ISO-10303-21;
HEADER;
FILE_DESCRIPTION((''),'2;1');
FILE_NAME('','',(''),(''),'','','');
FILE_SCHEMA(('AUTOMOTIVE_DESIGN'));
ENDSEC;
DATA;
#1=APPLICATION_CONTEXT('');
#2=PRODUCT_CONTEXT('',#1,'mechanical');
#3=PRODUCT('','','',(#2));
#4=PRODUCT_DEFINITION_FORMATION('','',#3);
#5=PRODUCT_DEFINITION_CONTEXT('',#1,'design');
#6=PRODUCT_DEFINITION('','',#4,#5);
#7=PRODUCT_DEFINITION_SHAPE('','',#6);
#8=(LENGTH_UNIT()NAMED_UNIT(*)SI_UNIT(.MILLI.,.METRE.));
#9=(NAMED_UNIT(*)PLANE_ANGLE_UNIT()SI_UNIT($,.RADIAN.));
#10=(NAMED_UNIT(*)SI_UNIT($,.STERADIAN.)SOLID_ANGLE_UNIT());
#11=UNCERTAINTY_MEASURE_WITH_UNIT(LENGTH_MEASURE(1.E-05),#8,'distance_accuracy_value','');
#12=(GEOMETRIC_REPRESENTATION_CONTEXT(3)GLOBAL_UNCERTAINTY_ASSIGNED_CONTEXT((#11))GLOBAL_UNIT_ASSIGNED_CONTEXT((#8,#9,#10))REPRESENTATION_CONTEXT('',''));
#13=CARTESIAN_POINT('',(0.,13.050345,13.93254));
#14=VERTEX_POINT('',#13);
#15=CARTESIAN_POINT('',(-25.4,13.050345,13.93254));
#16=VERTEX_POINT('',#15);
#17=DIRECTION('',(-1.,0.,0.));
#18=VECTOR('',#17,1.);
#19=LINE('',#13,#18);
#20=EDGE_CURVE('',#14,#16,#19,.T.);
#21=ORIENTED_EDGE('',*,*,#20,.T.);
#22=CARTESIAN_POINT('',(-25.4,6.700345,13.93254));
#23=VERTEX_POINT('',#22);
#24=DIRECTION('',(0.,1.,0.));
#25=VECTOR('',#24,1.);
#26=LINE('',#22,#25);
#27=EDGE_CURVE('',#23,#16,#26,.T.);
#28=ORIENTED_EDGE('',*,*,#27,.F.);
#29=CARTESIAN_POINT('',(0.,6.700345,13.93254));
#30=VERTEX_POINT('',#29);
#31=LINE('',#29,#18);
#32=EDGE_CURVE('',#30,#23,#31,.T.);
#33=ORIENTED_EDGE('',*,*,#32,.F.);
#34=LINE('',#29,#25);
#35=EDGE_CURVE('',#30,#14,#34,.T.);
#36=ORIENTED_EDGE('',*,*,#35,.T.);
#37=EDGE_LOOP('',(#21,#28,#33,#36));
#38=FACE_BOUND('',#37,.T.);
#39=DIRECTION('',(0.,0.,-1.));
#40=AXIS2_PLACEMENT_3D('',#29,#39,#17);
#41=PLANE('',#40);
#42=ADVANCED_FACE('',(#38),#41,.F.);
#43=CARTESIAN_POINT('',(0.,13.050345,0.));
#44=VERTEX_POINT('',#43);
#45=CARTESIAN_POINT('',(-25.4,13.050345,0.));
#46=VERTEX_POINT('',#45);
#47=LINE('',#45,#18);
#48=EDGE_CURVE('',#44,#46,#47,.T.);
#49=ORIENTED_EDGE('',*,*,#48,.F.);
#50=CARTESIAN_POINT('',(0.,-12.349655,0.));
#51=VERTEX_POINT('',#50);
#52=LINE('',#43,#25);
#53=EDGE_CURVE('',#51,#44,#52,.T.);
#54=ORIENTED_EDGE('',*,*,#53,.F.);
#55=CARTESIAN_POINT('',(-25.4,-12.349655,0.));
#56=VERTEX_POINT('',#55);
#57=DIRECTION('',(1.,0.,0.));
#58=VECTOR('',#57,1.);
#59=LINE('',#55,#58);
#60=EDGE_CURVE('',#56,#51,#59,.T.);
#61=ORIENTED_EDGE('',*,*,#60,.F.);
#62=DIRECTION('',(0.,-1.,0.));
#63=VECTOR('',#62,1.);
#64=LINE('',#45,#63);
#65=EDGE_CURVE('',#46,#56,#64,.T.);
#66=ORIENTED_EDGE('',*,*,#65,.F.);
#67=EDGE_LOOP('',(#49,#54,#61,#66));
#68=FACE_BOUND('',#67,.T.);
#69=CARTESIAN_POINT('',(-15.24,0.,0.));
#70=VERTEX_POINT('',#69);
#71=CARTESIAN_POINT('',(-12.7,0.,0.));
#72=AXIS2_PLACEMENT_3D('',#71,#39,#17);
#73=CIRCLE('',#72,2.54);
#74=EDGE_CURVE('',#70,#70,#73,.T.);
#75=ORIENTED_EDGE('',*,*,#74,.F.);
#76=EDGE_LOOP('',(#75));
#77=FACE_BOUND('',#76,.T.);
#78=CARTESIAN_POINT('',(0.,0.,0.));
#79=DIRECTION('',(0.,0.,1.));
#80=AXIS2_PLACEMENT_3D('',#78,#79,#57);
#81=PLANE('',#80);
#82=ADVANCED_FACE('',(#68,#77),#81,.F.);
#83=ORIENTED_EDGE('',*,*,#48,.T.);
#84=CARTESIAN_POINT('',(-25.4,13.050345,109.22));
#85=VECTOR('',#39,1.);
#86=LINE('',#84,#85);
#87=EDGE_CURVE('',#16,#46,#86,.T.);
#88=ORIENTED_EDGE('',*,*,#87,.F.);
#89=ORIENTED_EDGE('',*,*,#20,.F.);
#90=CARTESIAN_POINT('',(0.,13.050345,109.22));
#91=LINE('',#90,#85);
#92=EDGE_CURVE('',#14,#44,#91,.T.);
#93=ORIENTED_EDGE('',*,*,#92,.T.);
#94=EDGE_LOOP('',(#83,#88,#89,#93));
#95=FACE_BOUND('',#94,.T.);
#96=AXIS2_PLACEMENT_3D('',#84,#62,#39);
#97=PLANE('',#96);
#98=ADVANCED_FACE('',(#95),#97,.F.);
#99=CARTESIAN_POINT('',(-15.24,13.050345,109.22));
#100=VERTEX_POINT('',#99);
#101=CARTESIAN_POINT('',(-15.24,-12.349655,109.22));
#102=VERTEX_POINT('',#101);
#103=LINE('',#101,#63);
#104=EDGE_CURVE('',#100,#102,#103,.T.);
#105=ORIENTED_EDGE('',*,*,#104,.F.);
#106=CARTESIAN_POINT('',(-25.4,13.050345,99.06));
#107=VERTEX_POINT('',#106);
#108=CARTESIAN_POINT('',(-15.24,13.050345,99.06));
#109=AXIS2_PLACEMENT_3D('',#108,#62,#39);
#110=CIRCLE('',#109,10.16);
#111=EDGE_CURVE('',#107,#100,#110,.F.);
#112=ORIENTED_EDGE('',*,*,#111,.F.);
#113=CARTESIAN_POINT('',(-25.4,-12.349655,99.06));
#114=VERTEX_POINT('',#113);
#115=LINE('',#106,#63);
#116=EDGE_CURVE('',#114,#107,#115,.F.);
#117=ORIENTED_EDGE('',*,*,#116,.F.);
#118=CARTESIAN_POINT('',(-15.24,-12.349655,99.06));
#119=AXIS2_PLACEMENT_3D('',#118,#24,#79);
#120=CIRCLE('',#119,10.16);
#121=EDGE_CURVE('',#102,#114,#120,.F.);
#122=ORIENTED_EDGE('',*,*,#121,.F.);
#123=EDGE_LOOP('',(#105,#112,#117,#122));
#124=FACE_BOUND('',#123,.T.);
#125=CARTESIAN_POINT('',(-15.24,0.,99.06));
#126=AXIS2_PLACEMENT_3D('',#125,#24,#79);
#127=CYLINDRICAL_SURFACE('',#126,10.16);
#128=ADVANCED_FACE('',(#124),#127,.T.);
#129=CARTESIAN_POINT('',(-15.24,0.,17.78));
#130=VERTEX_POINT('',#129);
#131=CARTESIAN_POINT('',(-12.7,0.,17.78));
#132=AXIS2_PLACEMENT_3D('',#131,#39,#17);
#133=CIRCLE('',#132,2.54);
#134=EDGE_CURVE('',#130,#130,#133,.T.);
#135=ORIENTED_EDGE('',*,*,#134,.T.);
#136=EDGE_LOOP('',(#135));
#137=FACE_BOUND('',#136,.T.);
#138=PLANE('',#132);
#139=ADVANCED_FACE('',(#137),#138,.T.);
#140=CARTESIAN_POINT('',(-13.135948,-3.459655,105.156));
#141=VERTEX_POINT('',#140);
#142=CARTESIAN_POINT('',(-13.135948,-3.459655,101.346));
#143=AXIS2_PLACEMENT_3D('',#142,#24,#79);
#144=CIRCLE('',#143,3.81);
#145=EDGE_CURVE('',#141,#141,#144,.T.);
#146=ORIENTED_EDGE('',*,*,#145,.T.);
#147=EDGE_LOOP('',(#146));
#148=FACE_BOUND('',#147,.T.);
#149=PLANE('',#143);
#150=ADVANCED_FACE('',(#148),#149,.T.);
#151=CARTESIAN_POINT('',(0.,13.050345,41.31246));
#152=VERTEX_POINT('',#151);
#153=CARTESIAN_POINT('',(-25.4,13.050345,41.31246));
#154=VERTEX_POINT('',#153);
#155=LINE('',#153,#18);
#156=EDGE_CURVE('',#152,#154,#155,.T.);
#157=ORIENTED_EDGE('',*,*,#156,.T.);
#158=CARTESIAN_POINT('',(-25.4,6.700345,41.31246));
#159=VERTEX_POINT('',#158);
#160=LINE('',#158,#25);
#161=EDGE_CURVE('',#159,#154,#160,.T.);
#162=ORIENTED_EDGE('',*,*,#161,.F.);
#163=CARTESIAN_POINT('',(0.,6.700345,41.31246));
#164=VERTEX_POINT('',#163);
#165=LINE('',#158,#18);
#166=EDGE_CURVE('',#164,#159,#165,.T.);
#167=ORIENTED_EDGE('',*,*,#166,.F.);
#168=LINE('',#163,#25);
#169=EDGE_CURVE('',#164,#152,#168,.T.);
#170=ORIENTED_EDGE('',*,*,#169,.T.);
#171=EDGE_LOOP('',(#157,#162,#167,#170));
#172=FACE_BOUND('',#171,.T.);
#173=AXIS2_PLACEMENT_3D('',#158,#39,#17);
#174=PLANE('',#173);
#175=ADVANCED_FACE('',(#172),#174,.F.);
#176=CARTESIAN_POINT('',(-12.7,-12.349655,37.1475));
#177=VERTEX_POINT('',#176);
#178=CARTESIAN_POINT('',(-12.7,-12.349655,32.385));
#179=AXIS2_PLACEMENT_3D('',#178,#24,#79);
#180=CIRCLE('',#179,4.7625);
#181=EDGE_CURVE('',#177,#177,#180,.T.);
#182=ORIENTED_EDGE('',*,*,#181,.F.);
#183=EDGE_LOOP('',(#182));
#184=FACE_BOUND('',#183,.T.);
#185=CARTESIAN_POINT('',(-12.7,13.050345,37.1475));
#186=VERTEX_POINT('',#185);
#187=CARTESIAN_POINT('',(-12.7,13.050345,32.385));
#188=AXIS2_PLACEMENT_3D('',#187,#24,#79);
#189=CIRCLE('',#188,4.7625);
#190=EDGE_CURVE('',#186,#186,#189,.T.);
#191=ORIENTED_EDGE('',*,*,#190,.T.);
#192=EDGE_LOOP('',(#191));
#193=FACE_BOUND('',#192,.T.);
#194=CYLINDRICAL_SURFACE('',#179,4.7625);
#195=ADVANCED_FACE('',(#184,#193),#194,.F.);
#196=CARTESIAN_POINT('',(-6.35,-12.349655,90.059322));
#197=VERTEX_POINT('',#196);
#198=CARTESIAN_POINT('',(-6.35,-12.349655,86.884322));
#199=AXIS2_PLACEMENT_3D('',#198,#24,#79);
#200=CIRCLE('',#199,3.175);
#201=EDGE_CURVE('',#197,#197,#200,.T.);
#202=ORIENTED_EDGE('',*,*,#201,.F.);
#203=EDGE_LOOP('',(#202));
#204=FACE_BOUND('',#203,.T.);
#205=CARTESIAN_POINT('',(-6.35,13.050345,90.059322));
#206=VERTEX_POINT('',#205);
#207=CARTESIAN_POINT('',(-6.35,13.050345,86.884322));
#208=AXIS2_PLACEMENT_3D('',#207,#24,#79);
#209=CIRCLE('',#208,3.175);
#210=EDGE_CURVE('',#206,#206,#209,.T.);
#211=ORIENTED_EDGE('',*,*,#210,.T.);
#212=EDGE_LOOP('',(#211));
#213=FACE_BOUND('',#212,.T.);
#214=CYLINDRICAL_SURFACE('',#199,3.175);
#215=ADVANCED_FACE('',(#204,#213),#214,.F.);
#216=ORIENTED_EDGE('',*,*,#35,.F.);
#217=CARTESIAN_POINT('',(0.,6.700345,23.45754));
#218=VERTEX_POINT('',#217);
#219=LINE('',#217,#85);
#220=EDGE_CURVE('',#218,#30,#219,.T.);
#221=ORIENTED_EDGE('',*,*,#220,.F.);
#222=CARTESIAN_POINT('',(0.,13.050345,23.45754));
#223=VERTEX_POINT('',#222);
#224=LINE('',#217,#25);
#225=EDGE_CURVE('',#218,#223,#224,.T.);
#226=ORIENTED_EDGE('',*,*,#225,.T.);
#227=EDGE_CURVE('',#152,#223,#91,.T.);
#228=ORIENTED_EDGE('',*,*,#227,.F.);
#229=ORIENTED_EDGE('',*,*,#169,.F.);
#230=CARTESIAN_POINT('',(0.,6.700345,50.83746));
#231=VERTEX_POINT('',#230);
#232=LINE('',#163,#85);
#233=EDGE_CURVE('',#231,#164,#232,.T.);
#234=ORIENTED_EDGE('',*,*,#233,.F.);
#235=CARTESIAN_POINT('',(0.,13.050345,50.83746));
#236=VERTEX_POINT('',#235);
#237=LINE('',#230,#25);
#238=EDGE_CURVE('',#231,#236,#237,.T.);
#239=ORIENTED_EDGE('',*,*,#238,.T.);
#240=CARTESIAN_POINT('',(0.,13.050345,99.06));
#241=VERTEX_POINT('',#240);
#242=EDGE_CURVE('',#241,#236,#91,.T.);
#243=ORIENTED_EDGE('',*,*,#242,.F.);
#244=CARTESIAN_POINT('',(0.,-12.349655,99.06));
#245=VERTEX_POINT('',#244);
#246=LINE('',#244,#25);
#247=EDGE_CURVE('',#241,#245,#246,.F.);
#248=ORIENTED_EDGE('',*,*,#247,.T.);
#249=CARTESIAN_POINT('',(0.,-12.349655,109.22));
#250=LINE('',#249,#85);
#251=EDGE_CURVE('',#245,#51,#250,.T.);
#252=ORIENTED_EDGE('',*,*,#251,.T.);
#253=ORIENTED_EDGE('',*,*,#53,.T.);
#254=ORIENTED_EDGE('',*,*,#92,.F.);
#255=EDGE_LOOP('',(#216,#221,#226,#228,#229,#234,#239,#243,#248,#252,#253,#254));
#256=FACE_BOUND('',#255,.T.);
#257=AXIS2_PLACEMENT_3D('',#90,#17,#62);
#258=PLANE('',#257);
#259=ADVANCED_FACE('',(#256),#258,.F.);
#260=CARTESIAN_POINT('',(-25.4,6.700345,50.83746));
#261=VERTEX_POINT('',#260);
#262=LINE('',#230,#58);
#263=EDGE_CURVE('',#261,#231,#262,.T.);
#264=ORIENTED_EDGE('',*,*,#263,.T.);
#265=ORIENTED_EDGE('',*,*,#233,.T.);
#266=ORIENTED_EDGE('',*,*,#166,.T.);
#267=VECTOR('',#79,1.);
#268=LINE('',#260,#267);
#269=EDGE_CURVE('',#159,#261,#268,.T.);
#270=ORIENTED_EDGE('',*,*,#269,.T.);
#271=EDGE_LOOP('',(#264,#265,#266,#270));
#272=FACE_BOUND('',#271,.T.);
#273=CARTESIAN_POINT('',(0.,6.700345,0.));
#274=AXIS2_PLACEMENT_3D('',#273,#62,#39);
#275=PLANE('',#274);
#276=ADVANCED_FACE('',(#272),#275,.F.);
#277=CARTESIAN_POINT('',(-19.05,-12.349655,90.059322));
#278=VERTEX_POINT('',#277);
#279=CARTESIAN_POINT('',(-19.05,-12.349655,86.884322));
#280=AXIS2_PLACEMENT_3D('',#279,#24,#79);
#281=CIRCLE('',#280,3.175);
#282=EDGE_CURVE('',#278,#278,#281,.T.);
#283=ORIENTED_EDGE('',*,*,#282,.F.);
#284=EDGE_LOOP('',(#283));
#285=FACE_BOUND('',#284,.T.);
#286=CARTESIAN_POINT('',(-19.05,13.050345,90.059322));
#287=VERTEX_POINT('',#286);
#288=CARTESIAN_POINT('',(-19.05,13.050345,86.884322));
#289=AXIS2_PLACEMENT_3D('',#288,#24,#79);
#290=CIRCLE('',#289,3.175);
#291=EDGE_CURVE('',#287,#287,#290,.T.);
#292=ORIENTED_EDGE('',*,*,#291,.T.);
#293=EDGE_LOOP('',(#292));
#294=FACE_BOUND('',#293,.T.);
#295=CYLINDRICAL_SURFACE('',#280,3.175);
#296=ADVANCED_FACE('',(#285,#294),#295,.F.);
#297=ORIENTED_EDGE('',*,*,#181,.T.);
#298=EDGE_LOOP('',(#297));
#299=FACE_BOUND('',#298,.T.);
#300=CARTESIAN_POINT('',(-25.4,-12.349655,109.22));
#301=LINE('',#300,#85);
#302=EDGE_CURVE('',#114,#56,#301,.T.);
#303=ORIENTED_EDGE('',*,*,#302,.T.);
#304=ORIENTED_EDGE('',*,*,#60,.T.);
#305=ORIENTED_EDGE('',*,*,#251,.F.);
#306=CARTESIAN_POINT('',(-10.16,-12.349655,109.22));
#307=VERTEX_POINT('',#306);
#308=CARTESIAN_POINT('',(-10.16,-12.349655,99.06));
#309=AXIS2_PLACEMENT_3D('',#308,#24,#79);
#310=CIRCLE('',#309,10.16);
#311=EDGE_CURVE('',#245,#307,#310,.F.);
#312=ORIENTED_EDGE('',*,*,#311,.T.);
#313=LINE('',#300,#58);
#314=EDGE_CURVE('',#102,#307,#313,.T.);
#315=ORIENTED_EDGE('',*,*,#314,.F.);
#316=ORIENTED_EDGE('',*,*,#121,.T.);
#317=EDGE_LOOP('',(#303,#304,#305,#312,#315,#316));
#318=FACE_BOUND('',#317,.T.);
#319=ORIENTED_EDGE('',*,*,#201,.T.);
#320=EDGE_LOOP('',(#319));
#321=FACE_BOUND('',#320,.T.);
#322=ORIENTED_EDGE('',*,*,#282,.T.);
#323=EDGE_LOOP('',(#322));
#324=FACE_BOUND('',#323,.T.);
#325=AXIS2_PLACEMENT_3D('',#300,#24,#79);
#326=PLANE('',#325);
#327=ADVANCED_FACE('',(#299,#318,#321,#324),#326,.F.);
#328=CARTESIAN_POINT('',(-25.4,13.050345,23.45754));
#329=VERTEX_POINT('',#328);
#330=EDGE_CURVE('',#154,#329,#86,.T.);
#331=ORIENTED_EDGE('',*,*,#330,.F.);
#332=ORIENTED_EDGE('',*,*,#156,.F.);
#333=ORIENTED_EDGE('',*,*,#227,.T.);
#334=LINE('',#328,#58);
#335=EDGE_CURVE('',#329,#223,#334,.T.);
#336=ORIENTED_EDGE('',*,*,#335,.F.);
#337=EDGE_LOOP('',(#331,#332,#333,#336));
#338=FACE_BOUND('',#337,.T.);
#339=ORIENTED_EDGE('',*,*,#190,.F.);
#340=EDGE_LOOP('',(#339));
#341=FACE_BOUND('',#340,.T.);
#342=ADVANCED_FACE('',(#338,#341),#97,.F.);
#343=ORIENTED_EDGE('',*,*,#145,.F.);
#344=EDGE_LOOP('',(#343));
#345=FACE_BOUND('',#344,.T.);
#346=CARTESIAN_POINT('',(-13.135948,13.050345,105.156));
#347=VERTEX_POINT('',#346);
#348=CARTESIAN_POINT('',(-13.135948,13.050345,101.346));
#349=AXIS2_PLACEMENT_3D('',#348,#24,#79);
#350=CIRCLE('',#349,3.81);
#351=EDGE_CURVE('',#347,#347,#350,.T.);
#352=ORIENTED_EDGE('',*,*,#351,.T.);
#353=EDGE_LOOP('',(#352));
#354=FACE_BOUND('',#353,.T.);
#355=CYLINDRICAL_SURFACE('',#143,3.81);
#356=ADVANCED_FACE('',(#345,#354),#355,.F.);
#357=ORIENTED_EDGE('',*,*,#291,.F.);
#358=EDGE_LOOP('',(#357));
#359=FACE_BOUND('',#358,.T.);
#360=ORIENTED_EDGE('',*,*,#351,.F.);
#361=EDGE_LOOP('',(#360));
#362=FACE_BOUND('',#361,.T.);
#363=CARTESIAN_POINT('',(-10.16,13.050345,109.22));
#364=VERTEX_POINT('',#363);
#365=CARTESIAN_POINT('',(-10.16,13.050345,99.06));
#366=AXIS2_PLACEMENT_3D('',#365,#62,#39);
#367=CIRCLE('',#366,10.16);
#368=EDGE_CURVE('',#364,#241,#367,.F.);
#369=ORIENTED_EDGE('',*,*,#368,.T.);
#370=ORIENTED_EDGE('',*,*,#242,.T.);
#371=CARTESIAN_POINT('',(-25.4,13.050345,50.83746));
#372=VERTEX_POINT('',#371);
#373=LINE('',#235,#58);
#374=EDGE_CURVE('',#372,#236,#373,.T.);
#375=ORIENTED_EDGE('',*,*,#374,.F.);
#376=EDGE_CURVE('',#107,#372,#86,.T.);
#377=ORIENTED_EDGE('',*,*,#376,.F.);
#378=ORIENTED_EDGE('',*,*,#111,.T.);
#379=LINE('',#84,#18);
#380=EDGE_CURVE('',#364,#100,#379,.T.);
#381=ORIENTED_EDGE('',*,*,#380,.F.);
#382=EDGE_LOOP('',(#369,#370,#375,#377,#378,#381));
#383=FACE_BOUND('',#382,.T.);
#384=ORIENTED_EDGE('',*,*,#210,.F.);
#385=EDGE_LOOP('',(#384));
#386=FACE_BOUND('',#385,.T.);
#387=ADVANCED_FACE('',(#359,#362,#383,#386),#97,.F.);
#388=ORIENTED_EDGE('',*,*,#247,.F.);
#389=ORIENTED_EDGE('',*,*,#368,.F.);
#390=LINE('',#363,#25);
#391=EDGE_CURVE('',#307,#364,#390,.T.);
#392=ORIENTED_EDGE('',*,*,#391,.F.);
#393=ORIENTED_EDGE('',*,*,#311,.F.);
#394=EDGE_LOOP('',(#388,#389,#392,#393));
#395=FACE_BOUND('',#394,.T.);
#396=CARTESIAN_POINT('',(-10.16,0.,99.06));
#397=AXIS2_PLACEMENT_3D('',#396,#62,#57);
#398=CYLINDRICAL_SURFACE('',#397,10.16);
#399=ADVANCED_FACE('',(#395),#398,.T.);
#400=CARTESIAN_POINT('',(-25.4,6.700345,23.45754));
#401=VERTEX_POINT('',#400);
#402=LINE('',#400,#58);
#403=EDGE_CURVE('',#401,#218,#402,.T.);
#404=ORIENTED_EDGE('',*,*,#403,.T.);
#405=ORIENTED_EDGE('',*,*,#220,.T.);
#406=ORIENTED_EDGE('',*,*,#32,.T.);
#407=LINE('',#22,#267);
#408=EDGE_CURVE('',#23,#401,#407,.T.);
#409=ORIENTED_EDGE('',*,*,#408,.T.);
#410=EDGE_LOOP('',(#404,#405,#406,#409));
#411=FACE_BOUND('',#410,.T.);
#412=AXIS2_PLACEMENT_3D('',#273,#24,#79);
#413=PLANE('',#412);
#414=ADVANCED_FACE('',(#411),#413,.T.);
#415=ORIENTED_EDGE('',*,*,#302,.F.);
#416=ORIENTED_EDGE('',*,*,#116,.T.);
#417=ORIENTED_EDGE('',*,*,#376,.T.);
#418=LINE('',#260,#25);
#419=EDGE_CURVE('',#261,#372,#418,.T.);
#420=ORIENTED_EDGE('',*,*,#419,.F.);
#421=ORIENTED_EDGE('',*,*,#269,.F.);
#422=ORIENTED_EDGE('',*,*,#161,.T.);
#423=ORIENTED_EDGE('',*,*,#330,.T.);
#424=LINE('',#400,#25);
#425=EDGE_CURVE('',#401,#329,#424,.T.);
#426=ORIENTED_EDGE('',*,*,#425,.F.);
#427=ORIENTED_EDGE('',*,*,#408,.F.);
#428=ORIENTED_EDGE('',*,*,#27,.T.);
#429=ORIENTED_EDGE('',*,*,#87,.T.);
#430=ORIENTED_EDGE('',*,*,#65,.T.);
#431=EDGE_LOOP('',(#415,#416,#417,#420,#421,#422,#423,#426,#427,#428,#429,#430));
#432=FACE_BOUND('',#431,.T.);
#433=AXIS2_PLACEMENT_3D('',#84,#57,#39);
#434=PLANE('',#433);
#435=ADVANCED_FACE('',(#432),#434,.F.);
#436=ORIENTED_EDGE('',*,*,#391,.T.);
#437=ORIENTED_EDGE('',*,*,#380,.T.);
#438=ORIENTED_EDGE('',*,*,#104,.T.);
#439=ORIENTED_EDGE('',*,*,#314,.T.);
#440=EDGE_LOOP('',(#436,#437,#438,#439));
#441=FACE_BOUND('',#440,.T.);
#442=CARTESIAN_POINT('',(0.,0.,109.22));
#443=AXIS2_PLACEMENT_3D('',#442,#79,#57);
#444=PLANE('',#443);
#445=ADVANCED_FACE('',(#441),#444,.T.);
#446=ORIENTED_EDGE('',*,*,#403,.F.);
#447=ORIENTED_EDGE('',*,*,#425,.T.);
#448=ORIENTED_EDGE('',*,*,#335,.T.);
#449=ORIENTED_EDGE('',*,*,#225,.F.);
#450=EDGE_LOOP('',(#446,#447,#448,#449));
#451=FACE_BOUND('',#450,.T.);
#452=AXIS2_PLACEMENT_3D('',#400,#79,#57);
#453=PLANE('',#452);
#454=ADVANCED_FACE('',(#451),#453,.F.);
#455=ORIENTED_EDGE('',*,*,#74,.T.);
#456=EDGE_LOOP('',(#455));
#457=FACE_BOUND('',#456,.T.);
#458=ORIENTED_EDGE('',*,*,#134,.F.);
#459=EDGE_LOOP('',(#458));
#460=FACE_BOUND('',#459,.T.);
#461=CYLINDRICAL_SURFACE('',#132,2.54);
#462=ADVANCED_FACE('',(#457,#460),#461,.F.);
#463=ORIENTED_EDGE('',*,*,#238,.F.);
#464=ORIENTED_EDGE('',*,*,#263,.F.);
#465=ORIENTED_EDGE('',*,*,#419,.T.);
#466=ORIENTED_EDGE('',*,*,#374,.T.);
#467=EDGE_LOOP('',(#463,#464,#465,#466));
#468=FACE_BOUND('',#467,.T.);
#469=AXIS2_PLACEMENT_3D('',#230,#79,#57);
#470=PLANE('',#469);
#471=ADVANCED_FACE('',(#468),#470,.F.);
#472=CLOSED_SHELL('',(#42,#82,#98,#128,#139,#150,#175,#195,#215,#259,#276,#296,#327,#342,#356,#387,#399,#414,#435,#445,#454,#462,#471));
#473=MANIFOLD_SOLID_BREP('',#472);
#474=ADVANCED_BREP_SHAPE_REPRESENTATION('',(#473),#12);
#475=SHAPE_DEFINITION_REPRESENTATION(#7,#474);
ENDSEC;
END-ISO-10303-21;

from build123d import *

# Parameters (mm, degrees)
SKETCH1_W           = 25.4
SKETCH1_H           = 25.4
BOSS_EXTRUDE1_DEPTH = 109.22
SKETCH2_R           = 2.54
CUT_EXTRUDE1_DEPTH  = 17.78
SKETCH3_R           = 4.7625
CUT_EXTRUDE2_DEPTH  = 115.975338225
SKETCH7_W           = 25.4
SKETCH7_H           = 9.525
CUT_EXTRUDE5_DEPTH  = 6.35
SKETCH9_R           = 3.175
CUT_EXTRUDE7_DEPTH  = 115.975338225
SKETCH10_R          = 3.81
CUT_EXTRUDE8_DEPTH  = 16.51
FILLET1_R           = 10.16
FILLET2_R           = 10.16


with BuildPart() as part:
    # Sketch1 → Boss-Extrude1 (new body)
    with BuildSketch(Plane.XY):
        with Locations((-12.7, 0.350344828)):
            Rectangle(SKETCH1_W, SKETCH1_H)
    extrude(amount=BOSS_EXTRUDE1_DEPTH)

    # Sketch2 → Cut-Extrude1 (cut)
    with BuildSketch(Plane(origin=(0, 0, 0), x_dir=(-1, 0, 0), z_dir=(0, 0, -1))):
        with Locations((12.7, 0)):
            Circle(SKETCH2_R)
    extrude(amount=-CUT_EXTRUDE1_DEPTH, mode=Mode.SUBTRACT)

    # Sketch3 → Cut-Extrude2 (cut, through all)
    with BuildSketch(Plane(origin=(0, 13.050344828, 0), x_dir=(1, 0, 0), z_dir=(0, 1, 0))):
        with Locations(Location((-12.7, -32.385, 0), (0, 0, 270))):
            Circle(SKETCH3_R)
    extrude(amount=-CUT_EXTRUDE2_DEPTH, mode=Mode.SUBTRACT)

    # Sketch7 → Cut-Extrude5 (cut)
    with BuildSketch(Plane(origin=(0, 13.050344828, 0), x_dir=(1, 0, 0), z_dir=(0, 1, 0))):
        with Locations((-12.7, -18.695040466)):
            Rectangle(SKETCH7_W, SKETCH7_H)
        with Locations((-12.7, -46.074959534)):
            Rectangle(SKETCH7_W, SKETCH7_H)
    extrude(amount=-CUT_EXTRUDE5_DEPTH, mode=Mode.SUBTRACT)

    # Sketch9 → Cut-Extrude7 (cut, through all)
    with BuildSketch(Plane(origin=(0, 13.050344828, 0), x_dir=(1, 0, 0), z_dir=(0, 1, 0))):
        with Locations(Location((-19.05, -86.884321607, 0), (0, 0, 270))):
            Circle(SKETCH9_R)
        with Locations(Location((-6.35, -86.884321607, 0), (0, 0, 270))):
            Circle(SKETCH9_R)
    extrude(amount=-CUT_EXTRUDE7_DEPTH, mode=Mode.SUBTRACT)

    # Sketch10 → Cut-Extrude8 (cut)
    with BuildSketch(Plane(origin=(0, 13.050344828, 0), x_dir=(1, 0, 0), z_dir=(0, 1, 0))):
        with Locations(Location((-13.13594772, -101.346, 0), (0, 0, 270))):
            Circle(SKETCH10_R)
    extrude(amount=-CUT_EXTRUDE8_DEPTH, mode=Mode.SUBTRACT)

    # Fillet1
    fillet1_edges = [part.edges().sort_by_distance(p)[0] for p in [
        (0, 0.350344828, 109.22),
    ]]
    fillet(fillet1_edges, radius=FILLET1_R)

    # Fillet2
    fillet2_edges = [part.edges().sort_by_distance(p)[0] for p in [
        (-25.4, 0.350344828, 109.22),
    ]]
    fillet(fillet2_edges, radius=FILLET2_R)


solid = part.part
